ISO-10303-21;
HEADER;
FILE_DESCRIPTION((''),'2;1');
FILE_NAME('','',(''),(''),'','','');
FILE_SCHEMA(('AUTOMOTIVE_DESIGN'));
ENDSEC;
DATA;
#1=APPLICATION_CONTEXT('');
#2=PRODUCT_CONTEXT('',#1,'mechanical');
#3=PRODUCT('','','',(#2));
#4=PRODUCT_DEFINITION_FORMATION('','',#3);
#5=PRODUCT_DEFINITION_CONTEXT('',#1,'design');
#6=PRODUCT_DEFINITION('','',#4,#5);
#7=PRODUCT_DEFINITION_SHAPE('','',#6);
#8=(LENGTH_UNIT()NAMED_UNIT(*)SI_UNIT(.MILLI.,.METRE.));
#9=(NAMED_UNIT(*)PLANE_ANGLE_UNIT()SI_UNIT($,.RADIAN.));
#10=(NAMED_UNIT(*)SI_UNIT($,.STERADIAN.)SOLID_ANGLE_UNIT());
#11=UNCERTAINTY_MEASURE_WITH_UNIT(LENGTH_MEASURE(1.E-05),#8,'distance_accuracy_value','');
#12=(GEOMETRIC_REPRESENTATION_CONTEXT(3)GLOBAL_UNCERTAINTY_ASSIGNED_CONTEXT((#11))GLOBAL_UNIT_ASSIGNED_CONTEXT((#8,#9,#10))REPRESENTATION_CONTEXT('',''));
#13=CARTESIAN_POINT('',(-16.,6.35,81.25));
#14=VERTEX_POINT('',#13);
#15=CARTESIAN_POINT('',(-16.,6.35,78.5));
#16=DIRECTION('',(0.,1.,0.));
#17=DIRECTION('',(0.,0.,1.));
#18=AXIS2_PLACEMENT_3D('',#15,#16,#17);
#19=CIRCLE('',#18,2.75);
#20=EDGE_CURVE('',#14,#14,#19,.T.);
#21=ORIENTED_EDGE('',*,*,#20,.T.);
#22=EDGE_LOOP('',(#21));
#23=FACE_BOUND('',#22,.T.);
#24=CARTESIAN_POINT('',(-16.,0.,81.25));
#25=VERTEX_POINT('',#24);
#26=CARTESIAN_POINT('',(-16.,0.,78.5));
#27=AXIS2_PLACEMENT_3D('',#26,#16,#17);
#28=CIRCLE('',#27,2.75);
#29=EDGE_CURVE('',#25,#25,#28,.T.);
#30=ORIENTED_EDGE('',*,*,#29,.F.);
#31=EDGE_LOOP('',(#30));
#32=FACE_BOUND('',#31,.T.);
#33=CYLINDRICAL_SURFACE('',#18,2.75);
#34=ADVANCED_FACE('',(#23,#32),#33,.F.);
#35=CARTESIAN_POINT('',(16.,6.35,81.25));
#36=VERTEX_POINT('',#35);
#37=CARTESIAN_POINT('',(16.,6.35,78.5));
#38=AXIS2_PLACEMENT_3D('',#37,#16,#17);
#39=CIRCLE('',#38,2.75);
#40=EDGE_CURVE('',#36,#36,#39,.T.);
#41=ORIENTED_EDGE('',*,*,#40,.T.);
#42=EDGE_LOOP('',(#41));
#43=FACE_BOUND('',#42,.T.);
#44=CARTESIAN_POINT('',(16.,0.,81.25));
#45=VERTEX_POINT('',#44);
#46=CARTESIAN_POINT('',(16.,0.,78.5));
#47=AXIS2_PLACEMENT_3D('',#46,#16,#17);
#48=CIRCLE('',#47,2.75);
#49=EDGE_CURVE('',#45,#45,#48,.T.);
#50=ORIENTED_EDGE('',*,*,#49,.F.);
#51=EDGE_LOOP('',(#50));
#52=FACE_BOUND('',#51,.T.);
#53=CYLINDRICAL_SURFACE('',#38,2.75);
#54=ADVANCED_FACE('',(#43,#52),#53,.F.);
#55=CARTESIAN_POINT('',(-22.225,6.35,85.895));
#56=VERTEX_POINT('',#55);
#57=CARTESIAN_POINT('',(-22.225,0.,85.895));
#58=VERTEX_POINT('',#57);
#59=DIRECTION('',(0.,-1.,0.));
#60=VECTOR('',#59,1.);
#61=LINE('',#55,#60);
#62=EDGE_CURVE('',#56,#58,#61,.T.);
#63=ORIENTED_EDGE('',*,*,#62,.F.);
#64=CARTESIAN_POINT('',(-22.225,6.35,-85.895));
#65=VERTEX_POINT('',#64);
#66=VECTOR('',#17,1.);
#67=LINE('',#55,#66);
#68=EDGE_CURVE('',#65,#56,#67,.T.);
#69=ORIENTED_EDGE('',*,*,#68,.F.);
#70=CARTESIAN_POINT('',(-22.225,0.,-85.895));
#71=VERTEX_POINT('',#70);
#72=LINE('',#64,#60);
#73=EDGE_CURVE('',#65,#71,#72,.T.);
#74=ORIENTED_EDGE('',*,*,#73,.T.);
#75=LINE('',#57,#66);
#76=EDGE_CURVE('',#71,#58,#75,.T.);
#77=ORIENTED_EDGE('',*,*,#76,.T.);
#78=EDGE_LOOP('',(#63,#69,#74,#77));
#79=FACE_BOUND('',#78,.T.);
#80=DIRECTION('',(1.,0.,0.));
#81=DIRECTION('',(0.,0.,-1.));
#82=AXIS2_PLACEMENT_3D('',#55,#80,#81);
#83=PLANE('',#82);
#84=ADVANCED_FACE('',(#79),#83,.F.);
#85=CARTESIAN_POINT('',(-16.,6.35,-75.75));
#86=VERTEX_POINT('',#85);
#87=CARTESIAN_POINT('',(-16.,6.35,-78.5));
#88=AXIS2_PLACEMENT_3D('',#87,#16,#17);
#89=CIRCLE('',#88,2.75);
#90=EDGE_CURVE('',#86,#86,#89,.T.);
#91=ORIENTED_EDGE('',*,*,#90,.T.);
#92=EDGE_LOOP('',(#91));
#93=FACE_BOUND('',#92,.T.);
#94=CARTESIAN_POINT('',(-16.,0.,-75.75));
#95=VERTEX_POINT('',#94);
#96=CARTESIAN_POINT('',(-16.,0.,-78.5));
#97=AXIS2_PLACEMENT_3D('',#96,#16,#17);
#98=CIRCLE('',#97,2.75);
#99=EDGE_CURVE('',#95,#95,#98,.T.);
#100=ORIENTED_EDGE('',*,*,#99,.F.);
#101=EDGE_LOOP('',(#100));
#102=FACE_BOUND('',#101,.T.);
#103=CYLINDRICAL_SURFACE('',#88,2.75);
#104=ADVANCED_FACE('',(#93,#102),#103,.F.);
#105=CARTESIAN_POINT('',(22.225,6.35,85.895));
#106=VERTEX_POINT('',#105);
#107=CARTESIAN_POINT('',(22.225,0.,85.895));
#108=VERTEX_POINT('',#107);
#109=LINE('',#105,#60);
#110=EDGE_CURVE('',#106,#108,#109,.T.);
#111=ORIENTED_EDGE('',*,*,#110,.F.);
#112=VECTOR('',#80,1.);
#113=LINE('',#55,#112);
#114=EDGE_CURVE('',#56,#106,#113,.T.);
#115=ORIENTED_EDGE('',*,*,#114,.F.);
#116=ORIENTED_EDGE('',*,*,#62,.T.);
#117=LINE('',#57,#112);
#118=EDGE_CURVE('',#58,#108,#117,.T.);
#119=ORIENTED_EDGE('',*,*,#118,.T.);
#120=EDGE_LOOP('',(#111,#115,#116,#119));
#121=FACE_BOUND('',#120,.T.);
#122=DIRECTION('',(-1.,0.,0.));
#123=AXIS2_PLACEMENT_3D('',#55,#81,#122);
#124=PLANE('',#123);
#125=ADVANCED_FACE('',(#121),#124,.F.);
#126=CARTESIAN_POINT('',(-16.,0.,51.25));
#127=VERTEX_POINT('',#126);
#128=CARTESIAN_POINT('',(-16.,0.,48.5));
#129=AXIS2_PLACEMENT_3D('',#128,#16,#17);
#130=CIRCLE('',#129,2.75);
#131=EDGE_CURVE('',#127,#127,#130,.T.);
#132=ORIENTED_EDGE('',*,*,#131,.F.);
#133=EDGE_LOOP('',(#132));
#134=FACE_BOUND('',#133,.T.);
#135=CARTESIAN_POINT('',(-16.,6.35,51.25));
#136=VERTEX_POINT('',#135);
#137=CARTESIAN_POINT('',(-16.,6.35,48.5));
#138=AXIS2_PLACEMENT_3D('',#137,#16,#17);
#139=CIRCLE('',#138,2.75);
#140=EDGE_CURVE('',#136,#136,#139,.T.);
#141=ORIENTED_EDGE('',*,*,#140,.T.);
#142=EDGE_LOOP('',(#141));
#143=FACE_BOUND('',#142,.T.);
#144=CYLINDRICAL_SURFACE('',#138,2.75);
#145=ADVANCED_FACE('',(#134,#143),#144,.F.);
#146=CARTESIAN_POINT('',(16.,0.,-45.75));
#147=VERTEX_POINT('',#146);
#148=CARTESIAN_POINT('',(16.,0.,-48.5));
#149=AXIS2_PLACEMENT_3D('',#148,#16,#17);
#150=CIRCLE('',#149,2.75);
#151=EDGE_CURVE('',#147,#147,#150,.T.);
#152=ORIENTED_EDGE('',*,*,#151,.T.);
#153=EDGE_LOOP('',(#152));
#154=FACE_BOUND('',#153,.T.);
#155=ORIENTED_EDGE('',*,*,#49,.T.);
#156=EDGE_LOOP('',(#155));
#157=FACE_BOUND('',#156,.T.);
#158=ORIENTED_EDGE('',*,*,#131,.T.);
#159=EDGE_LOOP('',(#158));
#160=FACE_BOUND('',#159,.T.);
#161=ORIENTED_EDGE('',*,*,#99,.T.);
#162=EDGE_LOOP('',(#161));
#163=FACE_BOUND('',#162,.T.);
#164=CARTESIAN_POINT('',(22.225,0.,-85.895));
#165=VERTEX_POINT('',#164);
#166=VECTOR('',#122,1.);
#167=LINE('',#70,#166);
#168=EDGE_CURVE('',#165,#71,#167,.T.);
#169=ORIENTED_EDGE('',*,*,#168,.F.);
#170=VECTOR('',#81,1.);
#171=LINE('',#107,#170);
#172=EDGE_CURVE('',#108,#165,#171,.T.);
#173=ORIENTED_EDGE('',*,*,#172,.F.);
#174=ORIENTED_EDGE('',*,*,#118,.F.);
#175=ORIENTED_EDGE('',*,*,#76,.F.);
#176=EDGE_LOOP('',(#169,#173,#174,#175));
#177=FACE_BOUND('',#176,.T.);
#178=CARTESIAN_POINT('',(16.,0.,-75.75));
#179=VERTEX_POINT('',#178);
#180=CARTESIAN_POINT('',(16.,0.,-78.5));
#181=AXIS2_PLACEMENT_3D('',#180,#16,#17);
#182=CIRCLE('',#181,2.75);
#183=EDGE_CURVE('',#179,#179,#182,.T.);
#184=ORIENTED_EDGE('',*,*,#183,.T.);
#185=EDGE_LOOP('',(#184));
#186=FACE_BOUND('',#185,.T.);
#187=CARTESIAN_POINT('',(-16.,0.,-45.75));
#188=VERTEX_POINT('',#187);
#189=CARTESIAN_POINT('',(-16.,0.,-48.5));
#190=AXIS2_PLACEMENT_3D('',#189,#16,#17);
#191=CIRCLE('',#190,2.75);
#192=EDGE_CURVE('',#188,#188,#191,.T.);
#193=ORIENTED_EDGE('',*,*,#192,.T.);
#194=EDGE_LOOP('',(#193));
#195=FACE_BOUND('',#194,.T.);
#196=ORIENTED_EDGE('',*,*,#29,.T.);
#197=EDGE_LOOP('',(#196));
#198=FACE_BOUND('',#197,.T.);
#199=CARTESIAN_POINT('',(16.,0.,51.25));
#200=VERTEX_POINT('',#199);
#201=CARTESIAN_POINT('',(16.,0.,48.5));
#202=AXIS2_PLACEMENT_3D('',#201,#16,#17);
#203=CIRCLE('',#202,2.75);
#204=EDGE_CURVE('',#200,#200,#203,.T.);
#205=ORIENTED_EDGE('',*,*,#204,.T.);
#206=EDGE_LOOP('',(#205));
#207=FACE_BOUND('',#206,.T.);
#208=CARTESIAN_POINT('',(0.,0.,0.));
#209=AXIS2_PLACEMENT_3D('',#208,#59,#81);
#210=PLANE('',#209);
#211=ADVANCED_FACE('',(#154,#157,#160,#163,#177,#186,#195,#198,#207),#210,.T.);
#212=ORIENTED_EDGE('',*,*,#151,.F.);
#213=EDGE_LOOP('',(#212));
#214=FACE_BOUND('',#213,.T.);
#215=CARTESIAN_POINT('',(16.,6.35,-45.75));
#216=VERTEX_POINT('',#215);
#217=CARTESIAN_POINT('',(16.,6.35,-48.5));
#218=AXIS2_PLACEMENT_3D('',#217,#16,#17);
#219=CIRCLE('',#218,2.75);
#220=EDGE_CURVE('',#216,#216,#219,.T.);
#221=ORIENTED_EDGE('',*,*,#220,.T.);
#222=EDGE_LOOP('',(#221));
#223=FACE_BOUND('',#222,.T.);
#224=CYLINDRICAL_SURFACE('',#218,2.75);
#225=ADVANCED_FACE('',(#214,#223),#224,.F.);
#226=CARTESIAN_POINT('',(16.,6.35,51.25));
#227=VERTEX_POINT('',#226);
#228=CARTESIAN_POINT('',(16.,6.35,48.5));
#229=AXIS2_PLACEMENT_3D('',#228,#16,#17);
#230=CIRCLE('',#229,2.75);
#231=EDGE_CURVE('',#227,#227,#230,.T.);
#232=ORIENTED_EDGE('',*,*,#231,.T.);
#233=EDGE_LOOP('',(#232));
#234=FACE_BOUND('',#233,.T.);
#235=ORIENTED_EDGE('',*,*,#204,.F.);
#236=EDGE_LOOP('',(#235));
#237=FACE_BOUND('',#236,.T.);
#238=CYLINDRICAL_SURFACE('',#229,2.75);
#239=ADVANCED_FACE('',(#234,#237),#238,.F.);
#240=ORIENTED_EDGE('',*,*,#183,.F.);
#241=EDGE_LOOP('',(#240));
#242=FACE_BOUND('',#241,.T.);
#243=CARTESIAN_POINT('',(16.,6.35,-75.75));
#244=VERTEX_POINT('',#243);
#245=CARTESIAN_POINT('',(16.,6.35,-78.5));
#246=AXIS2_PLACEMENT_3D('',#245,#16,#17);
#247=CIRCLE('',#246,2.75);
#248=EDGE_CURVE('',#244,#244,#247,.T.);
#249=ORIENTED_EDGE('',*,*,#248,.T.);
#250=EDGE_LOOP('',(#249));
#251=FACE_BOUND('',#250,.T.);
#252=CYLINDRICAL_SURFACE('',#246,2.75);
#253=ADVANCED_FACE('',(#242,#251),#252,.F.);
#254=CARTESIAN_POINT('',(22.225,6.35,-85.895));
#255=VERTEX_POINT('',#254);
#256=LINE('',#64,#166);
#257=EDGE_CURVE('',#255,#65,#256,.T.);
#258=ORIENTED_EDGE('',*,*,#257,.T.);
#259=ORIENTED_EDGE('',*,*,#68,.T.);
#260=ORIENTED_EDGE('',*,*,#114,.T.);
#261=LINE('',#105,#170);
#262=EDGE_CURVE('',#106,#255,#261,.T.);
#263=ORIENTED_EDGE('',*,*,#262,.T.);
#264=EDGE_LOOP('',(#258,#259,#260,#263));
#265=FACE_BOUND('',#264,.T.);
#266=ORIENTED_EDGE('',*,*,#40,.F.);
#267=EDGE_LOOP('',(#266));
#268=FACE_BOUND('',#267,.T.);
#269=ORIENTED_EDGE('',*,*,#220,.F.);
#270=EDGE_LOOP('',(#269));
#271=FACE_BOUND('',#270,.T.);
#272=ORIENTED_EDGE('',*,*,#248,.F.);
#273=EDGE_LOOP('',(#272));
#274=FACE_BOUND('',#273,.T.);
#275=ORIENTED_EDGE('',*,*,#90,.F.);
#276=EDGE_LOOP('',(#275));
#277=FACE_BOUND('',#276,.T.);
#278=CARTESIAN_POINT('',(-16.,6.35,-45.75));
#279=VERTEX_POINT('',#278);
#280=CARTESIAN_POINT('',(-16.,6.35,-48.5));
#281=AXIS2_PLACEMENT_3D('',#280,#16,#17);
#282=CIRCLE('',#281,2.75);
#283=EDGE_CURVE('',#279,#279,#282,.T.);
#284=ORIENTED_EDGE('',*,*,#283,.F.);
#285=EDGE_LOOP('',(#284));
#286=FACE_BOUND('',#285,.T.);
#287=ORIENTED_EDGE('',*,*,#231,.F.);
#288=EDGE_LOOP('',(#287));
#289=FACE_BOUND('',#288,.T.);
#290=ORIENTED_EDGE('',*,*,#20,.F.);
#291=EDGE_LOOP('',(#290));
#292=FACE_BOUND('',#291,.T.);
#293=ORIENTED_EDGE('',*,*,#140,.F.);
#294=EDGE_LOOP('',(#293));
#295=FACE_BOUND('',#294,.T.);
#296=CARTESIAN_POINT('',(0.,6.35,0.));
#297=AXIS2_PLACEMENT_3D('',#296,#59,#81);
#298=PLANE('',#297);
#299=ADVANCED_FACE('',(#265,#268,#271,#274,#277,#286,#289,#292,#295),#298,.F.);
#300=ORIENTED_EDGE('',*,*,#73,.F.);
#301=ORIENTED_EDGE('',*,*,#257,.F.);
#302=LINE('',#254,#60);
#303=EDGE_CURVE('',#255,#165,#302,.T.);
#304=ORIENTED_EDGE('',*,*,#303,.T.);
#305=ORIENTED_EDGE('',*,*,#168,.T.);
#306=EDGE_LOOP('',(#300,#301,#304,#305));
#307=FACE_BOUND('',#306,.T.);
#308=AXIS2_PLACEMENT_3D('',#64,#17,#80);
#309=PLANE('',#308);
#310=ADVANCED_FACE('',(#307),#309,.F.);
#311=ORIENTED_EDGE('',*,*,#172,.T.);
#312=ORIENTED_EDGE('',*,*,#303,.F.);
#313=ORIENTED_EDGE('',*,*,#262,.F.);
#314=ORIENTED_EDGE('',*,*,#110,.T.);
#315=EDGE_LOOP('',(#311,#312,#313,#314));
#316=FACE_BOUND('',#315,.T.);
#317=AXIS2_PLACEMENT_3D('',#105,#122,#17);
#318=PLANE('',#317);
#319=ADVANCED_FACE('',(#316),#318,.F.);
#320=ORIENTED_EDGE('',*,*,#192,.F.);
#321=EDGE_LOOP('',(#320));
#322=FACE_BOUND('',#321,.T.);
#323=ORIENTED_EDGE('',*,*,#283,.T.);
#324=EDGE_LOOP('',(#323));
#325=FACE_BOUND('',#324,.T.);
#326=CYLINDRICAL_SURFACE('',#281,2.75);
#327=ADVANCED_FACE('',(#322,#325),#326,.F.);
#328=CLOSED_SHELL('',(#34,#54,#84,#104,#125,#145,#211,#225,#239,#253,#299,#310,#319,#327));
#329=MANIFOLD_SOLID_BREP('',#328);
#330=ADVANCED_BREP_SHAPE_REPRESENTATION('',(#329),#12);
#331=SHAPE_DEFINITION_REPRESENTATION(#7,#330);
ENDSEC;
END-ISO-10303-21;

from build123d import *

# Parameters (mm, degrees)
SKETCH1_W            = 44.45
SKETCH1_H            = 171.789999828
BOSS_EXTRUDE1_DEPTH  = 6.35
M5_CLEARANCE_HOLE1_D = 5.5


with BuildPart() as part:
    # Sketch1 → Boss-Extrude1 (new body)
    with BuildSketch(Plane(origin=(0, 0, 0), x_dir=(1, 0, 0), z_dir=(0, 1, 0))):
        Rectangle(SKETCH1_W, SKETCH1_H)
    extrude(amount=BOSS_EXTRUDE1_DEPTH)

    # M5 Clearance Hole1 (through all)
    with Locations(Plane(origin=(0, 6.35, 0), x_dir=(1, 0, 0), z_dir=(0, 1, 0))):
        with Locations((-16, -48.5), (16, 78.5), (16, 48.5), (-16, 78.5), (-16, 48.5), (16, -48.5), (16, -78.5), (-16, -78.5)):
            Hole(M5_CLEARANCE_HOLE1_D / 2)


solid = part.part
